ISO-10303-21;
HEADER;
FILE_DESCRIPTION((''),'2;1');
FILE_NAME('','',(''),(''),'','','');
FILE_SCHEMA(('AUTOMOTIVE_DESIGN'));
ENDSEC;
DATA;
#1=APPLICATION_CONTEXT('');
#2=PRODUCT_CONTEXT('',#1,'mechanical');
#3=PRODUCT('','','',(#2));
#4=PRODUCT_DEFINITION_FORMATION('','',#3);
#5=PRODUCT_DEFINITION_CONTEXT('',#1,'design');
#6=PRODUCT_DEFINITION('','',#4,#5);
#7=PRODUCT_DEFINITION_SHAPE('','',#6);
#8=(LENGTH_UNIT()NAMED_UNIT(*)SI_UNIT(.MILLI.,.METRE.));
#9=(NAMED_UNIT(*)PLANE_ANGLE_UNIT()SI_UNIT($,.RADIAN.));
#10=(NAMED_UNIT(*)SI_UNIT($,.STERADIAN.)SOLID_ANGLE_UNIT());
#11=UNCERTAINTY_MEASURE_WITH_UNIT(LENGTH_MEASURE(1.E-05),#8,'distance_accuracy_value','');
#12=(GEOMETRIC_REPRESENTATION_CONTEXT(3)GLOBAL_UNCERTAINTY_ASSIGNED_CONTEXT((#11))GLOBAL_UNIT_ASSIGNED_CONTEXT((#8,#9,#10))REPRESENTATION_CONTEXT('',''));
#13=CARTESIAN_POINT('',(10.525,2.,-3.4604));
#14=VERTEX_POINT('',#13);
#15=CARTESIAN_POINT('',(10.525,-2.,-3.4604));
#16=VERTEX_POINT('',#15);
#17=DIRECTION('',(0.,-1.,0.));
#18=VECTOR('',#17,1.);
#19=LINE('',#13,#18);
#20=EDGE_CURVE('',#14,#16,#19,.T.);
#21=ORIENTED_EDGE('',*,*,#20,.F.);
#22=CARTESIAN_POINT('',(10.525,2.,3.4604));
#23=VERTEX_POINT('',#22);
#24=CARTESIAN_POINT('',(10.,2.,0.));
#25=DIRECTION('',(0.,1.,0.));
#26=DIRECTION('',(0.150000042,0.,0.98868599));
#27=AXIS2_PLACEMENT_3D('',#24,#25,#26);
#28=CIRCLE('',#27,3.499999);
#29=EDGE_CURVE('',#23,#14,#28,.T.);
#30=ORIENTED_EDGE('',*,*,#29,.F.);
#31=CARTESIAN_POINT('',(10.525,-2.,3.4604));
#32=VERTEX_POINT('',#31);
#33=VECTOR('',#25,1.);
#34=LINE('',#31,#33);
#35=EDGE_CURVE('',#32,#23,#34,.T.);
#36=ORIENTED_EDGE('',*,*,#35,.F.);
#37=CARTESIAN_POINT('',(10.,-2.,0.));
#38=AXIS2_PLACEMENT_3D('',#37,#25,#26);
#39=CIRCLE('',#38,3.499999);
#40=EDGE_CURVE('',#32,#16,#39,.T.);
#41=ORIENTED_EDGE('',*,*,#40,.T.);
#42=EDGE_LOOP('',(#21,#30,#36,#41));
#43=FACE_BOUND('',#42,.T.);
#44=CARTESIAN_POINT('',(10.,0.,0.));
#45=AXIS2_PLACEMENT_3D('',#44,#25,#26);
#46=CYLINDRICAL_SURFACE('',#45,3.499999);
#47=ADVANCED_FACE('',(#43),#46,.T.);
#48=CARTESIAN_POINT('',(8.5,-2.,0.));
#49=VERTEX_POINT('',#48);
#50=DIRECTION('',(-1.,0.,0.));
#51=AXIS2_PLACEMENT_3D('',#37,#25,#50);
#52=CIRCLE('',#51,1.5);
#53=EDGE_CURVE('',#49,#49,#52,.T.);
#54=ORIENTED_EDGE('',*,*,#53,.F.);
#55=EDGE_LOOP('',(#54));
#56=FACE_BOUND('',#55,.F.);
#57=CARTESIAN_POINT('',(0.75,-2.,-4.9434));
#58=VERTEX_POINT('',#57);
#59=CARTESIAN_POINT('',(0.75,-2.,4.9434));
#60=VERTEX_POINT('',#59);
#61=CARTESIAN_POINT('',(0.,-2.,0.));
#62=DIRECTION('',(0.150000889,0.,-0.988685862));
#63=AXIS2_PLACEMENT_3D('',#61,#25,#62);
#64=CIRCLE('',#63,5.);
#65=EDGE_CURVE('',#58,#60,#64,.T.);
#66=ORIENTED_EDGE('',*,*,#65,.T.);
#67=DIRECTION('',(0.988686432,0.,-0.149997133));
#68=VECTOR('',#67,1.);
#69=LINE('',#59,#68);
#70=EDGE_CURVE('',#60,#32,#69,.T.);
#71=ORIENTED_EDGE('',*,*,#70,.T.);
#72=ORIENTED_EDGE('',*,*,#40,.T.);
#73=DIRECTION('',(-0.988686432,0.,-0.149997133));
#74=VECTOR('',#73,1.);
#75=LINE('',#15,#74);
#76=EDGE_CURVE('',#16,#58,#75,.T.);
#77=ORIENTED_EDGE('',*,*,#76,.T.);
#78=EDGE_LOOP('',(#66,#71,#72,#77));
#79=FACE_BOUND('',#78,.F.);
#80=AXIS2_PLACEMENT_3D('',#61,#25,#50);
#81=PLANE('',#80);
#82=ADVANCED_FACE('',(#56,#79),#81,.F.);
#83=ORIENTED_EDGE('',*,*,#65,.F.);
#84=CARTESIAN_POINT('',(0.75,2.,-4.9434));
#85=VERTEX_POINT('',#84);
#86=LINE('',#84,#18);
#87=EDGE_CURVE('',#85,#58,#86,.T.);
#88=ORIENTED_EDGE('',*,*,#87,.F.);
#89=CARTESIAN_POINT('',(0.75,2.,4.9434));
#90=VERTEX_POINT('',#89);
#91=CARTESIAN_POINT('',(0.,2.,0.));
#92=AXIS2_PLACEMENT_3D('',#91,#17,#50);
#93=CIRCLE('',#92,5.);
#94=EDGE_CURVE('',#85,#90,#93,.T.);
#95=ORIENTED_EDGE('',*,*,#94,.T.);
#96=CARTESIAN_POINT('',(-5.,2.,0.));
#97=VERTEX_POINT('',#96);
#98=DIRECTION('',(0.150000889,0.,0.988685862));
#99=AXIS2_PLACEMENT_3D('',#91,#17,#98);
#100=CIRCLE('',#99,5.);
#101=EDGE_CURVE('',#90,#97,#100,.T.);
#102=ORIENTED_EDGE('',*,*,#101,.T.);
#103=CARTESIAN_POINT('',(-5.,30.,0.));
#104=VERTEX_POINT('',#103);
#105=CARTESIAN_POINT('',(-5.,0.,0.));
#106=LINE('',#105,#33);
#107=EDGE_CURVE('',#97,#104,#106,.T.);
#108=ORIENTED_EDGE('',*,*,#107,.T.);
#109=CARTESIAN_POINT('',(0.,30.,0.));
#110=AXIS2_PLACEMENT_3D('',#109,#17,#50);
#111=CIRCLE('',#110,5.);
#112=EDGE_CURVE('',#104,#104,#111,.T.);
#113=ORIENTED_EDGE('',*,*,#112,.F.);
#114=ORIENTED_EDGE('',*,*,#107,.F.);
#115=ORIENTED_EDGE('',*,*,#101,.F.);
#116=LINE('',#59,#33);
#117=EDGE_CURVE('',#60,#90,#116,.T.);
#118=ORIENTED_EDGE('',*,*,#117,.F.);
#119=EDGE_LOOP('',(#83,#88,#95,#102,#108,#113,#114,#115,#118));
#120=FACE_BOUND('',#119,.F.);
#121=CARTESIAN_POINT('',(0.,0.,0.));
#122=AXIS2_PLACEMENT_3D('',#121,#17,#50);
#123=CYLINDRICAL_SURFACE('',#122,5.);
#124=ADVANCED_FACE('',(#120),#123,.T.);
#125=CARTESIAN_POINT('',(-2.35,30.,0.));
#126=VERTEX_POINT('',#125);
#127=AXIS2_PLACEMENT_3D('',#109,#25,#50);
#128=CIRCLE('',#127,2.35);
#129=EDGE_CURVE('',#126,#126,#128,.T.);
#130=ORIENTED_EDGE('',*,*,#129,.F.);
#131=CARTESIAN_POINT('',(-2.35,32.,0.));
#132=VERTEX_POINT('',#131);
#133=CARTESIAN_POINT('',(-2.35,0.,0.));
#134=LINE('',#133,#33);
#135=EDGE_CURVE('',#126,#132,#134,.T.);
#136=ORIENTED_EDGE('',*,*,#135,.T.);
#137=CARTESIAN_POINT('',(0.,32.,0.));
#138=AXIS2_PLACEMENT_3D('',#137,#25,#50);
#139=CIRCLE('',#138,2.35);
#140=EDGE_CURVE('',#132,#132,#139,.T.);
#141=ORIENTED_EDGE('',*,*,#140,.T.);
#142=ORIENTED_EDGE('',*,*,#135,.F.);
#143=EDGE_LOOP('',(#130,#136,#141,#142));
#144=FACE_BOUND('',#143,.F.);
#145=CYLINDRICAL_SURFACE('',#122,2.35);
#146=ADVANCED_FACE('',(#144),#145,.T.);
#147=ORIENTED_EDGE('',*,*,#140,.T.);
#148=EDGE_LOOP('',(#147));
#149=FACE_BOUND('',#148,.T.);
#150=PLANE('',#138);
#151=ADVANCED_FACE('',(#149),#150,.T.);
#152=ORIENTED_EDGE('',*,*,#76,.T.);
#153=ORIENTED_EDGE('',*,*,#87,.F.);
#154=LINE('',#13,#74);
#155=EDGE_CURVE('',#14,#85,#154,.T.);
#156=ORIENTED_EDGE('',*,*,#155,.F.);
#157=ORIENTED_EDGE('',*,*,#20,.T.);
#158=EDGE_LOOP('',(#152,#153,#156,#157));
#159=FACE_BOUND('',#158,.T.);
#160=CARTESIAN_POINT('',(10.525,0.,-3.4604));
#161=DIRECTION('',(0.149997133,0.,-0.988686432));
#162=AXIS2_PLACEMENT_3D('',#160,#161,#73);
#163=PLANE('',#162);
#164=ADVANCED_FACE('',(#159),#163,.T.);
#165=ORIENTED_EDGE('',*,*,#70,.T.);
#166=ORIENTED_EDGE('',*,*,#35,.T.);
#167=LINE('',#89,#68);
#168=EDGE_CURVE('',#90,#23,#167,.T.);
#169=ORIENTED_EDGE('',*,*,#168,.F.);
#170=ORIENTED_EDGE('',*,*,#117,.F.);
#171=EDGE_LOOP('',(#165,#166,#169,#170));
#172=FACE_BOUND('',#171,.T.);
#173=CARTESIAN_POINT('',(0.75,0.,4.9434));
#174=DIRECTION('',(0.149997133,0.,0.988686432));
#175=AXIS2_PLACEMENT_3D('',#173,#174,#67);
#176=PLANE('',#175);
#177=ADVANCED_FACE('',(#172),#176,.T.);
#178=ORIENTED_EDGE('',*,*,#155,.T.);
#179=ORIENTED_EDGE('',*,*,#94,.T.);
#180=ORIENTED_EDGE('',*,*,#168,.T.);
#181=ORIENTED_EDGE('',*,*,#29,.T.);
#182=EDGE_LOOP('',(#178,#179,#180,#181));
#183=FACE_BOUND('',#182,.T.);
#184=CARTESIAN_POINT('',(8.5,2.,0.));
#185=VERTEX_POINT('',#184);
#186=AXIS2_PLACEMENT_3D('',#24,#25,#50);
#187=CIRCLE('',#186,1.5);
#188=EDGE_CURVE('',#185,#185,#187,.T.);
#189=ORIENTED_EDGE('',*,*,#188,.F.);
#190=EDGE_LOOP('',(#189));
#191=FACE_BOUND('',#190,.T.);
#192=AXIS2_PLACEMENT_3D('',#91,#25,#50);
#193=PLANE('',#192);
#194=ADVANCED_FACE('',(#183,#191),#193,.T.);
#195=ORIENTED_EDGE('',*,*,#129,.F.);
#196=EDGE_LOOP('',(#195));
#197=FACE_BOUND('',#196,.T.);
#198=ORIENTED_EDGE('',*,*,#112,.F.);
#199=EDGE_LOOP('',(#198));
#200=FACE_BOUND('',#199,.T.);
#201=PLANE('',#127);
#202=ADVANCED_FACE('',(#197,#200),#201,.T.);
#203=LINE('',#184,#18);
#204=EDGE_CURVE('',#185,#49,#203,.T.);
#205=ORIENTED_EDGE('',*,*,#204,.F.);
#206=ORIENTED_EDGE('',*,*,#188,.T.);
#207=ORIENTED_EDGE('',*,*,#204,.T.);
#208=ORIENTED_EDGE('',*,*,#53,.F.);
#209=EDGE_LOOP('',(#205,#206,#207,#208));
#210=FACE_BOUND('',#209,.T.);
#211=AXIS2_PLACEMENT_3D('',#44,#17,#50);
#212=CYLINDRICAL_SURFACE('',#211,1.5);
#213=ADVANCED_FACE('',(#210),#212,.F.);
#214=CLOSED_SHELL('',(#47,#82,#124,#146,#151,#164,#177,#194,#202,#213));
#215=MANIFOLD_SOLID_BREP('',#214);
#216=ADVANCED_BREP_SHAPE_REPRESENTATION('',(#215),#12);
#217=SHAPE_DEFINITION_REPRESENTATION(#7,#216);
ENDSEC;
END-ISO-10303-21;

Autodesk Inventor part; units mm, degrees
ref_plane "XZ Plane" through (0, 0, 0) normal (0, 1, 0) x (-1, 0, 0)
sketch "Sketch1" plane through (0, 0, 0) normal (0, 1, 0) x (-1, 0, 0)
  circle A0 centre (0, 0) radius 2.35
  circle A1 centre (0, 0) radius 5
  circle A2 centre (-10, 0) radius 1.5
  line L0 (-0.75, 4.9434) -> (-10.525, 3.4604)
  arc A3 (-10.525, 3.4604) -> (-10.525, -3.4604) centre (-10, 0) ccw
  line L1 (-10.525, -3.4604) -> (-0.75, -4.9434)
  dimension "d0" = 4.7
  dimension "d1" = 10
  dimension "d2" = 3
  dimension "d3" = 10
  dimension "d4" = 2
extrude "Extrusion1" add sketch "Sketch1" against normal blind 2 and the other way blind 2 contours A0 | A1 | A1 L1 A3 L0
extrude "Extrusion2" add sketch "Sketch1" along normal blind 30 contours A1
extrude "Extrusion3" add sketch "Sketch1" along normal blind 32 contours A0
ref_plane "Work Plane1" through (-5, 0, 0) normal (1, 0, 0) x (0, 1, 0)
ref_plane "Work Plane2" through (-7, 0, 0) normal (1, 0, 0) x (0, 1, 0)
sketch "Sketch2" plane through (-7, 0, 0) normal (1, 0, 0) x (0, 1, 0)
  line L0 (30, -15) -> (-2, -15)
  line L1 (-2, 15) -> (30, 15)
  line L2 (30, 15) -> (30, -15)
  line L3 (30, -5) -> (30, 5) projected
  line L4 (-2, -4.9434) -> (2, -4.9434) projected
  line L5 (-2, 4.9434) -> (-2, -4.9434) projected
  line L6 (2, 4.9434) -> (-2, 4.9434) projected
  line L7 (2, -4.9434) -> (2, 4.9434) projected
  line L8 (-2, -15) -> (-2, 15)
  point P0 (0, 0)
  dimension "d11" = 30
  dimension "d12" = 15
sketch "Sketch3" plane through (-7, 0, 0) normal (-1, 0, 0) x (0, 0, 1)
  line L0 (-10, 22.6542) -> (10, 22.6542) construction
  line L1 (10, 22.6542) -> (10, 2.6542) construction
  line L2 (10, 2.6542) -> (-10, 2.6542) construction
  line L3 (-10, 2.6542) -> (-10, 22.6542) construction
  line L4 (15, -2) -> (15, 30) construction
  line L5 (15, 30) -> (-15, 30) construction
  line L6 (0, 0) -> (15, 0) construction
  point P0 (0, 0)
  point P1 (10, 12.6542)
  point P2 (15, 14)
  point P3 (0, 22.6542)
  point P4 (0, 30)
  dimension "d24" = 20
  dimension "d25" = 20
properties part number "Pok Mk3 Yaw Motor Support Min" material "ABS Plastic"
